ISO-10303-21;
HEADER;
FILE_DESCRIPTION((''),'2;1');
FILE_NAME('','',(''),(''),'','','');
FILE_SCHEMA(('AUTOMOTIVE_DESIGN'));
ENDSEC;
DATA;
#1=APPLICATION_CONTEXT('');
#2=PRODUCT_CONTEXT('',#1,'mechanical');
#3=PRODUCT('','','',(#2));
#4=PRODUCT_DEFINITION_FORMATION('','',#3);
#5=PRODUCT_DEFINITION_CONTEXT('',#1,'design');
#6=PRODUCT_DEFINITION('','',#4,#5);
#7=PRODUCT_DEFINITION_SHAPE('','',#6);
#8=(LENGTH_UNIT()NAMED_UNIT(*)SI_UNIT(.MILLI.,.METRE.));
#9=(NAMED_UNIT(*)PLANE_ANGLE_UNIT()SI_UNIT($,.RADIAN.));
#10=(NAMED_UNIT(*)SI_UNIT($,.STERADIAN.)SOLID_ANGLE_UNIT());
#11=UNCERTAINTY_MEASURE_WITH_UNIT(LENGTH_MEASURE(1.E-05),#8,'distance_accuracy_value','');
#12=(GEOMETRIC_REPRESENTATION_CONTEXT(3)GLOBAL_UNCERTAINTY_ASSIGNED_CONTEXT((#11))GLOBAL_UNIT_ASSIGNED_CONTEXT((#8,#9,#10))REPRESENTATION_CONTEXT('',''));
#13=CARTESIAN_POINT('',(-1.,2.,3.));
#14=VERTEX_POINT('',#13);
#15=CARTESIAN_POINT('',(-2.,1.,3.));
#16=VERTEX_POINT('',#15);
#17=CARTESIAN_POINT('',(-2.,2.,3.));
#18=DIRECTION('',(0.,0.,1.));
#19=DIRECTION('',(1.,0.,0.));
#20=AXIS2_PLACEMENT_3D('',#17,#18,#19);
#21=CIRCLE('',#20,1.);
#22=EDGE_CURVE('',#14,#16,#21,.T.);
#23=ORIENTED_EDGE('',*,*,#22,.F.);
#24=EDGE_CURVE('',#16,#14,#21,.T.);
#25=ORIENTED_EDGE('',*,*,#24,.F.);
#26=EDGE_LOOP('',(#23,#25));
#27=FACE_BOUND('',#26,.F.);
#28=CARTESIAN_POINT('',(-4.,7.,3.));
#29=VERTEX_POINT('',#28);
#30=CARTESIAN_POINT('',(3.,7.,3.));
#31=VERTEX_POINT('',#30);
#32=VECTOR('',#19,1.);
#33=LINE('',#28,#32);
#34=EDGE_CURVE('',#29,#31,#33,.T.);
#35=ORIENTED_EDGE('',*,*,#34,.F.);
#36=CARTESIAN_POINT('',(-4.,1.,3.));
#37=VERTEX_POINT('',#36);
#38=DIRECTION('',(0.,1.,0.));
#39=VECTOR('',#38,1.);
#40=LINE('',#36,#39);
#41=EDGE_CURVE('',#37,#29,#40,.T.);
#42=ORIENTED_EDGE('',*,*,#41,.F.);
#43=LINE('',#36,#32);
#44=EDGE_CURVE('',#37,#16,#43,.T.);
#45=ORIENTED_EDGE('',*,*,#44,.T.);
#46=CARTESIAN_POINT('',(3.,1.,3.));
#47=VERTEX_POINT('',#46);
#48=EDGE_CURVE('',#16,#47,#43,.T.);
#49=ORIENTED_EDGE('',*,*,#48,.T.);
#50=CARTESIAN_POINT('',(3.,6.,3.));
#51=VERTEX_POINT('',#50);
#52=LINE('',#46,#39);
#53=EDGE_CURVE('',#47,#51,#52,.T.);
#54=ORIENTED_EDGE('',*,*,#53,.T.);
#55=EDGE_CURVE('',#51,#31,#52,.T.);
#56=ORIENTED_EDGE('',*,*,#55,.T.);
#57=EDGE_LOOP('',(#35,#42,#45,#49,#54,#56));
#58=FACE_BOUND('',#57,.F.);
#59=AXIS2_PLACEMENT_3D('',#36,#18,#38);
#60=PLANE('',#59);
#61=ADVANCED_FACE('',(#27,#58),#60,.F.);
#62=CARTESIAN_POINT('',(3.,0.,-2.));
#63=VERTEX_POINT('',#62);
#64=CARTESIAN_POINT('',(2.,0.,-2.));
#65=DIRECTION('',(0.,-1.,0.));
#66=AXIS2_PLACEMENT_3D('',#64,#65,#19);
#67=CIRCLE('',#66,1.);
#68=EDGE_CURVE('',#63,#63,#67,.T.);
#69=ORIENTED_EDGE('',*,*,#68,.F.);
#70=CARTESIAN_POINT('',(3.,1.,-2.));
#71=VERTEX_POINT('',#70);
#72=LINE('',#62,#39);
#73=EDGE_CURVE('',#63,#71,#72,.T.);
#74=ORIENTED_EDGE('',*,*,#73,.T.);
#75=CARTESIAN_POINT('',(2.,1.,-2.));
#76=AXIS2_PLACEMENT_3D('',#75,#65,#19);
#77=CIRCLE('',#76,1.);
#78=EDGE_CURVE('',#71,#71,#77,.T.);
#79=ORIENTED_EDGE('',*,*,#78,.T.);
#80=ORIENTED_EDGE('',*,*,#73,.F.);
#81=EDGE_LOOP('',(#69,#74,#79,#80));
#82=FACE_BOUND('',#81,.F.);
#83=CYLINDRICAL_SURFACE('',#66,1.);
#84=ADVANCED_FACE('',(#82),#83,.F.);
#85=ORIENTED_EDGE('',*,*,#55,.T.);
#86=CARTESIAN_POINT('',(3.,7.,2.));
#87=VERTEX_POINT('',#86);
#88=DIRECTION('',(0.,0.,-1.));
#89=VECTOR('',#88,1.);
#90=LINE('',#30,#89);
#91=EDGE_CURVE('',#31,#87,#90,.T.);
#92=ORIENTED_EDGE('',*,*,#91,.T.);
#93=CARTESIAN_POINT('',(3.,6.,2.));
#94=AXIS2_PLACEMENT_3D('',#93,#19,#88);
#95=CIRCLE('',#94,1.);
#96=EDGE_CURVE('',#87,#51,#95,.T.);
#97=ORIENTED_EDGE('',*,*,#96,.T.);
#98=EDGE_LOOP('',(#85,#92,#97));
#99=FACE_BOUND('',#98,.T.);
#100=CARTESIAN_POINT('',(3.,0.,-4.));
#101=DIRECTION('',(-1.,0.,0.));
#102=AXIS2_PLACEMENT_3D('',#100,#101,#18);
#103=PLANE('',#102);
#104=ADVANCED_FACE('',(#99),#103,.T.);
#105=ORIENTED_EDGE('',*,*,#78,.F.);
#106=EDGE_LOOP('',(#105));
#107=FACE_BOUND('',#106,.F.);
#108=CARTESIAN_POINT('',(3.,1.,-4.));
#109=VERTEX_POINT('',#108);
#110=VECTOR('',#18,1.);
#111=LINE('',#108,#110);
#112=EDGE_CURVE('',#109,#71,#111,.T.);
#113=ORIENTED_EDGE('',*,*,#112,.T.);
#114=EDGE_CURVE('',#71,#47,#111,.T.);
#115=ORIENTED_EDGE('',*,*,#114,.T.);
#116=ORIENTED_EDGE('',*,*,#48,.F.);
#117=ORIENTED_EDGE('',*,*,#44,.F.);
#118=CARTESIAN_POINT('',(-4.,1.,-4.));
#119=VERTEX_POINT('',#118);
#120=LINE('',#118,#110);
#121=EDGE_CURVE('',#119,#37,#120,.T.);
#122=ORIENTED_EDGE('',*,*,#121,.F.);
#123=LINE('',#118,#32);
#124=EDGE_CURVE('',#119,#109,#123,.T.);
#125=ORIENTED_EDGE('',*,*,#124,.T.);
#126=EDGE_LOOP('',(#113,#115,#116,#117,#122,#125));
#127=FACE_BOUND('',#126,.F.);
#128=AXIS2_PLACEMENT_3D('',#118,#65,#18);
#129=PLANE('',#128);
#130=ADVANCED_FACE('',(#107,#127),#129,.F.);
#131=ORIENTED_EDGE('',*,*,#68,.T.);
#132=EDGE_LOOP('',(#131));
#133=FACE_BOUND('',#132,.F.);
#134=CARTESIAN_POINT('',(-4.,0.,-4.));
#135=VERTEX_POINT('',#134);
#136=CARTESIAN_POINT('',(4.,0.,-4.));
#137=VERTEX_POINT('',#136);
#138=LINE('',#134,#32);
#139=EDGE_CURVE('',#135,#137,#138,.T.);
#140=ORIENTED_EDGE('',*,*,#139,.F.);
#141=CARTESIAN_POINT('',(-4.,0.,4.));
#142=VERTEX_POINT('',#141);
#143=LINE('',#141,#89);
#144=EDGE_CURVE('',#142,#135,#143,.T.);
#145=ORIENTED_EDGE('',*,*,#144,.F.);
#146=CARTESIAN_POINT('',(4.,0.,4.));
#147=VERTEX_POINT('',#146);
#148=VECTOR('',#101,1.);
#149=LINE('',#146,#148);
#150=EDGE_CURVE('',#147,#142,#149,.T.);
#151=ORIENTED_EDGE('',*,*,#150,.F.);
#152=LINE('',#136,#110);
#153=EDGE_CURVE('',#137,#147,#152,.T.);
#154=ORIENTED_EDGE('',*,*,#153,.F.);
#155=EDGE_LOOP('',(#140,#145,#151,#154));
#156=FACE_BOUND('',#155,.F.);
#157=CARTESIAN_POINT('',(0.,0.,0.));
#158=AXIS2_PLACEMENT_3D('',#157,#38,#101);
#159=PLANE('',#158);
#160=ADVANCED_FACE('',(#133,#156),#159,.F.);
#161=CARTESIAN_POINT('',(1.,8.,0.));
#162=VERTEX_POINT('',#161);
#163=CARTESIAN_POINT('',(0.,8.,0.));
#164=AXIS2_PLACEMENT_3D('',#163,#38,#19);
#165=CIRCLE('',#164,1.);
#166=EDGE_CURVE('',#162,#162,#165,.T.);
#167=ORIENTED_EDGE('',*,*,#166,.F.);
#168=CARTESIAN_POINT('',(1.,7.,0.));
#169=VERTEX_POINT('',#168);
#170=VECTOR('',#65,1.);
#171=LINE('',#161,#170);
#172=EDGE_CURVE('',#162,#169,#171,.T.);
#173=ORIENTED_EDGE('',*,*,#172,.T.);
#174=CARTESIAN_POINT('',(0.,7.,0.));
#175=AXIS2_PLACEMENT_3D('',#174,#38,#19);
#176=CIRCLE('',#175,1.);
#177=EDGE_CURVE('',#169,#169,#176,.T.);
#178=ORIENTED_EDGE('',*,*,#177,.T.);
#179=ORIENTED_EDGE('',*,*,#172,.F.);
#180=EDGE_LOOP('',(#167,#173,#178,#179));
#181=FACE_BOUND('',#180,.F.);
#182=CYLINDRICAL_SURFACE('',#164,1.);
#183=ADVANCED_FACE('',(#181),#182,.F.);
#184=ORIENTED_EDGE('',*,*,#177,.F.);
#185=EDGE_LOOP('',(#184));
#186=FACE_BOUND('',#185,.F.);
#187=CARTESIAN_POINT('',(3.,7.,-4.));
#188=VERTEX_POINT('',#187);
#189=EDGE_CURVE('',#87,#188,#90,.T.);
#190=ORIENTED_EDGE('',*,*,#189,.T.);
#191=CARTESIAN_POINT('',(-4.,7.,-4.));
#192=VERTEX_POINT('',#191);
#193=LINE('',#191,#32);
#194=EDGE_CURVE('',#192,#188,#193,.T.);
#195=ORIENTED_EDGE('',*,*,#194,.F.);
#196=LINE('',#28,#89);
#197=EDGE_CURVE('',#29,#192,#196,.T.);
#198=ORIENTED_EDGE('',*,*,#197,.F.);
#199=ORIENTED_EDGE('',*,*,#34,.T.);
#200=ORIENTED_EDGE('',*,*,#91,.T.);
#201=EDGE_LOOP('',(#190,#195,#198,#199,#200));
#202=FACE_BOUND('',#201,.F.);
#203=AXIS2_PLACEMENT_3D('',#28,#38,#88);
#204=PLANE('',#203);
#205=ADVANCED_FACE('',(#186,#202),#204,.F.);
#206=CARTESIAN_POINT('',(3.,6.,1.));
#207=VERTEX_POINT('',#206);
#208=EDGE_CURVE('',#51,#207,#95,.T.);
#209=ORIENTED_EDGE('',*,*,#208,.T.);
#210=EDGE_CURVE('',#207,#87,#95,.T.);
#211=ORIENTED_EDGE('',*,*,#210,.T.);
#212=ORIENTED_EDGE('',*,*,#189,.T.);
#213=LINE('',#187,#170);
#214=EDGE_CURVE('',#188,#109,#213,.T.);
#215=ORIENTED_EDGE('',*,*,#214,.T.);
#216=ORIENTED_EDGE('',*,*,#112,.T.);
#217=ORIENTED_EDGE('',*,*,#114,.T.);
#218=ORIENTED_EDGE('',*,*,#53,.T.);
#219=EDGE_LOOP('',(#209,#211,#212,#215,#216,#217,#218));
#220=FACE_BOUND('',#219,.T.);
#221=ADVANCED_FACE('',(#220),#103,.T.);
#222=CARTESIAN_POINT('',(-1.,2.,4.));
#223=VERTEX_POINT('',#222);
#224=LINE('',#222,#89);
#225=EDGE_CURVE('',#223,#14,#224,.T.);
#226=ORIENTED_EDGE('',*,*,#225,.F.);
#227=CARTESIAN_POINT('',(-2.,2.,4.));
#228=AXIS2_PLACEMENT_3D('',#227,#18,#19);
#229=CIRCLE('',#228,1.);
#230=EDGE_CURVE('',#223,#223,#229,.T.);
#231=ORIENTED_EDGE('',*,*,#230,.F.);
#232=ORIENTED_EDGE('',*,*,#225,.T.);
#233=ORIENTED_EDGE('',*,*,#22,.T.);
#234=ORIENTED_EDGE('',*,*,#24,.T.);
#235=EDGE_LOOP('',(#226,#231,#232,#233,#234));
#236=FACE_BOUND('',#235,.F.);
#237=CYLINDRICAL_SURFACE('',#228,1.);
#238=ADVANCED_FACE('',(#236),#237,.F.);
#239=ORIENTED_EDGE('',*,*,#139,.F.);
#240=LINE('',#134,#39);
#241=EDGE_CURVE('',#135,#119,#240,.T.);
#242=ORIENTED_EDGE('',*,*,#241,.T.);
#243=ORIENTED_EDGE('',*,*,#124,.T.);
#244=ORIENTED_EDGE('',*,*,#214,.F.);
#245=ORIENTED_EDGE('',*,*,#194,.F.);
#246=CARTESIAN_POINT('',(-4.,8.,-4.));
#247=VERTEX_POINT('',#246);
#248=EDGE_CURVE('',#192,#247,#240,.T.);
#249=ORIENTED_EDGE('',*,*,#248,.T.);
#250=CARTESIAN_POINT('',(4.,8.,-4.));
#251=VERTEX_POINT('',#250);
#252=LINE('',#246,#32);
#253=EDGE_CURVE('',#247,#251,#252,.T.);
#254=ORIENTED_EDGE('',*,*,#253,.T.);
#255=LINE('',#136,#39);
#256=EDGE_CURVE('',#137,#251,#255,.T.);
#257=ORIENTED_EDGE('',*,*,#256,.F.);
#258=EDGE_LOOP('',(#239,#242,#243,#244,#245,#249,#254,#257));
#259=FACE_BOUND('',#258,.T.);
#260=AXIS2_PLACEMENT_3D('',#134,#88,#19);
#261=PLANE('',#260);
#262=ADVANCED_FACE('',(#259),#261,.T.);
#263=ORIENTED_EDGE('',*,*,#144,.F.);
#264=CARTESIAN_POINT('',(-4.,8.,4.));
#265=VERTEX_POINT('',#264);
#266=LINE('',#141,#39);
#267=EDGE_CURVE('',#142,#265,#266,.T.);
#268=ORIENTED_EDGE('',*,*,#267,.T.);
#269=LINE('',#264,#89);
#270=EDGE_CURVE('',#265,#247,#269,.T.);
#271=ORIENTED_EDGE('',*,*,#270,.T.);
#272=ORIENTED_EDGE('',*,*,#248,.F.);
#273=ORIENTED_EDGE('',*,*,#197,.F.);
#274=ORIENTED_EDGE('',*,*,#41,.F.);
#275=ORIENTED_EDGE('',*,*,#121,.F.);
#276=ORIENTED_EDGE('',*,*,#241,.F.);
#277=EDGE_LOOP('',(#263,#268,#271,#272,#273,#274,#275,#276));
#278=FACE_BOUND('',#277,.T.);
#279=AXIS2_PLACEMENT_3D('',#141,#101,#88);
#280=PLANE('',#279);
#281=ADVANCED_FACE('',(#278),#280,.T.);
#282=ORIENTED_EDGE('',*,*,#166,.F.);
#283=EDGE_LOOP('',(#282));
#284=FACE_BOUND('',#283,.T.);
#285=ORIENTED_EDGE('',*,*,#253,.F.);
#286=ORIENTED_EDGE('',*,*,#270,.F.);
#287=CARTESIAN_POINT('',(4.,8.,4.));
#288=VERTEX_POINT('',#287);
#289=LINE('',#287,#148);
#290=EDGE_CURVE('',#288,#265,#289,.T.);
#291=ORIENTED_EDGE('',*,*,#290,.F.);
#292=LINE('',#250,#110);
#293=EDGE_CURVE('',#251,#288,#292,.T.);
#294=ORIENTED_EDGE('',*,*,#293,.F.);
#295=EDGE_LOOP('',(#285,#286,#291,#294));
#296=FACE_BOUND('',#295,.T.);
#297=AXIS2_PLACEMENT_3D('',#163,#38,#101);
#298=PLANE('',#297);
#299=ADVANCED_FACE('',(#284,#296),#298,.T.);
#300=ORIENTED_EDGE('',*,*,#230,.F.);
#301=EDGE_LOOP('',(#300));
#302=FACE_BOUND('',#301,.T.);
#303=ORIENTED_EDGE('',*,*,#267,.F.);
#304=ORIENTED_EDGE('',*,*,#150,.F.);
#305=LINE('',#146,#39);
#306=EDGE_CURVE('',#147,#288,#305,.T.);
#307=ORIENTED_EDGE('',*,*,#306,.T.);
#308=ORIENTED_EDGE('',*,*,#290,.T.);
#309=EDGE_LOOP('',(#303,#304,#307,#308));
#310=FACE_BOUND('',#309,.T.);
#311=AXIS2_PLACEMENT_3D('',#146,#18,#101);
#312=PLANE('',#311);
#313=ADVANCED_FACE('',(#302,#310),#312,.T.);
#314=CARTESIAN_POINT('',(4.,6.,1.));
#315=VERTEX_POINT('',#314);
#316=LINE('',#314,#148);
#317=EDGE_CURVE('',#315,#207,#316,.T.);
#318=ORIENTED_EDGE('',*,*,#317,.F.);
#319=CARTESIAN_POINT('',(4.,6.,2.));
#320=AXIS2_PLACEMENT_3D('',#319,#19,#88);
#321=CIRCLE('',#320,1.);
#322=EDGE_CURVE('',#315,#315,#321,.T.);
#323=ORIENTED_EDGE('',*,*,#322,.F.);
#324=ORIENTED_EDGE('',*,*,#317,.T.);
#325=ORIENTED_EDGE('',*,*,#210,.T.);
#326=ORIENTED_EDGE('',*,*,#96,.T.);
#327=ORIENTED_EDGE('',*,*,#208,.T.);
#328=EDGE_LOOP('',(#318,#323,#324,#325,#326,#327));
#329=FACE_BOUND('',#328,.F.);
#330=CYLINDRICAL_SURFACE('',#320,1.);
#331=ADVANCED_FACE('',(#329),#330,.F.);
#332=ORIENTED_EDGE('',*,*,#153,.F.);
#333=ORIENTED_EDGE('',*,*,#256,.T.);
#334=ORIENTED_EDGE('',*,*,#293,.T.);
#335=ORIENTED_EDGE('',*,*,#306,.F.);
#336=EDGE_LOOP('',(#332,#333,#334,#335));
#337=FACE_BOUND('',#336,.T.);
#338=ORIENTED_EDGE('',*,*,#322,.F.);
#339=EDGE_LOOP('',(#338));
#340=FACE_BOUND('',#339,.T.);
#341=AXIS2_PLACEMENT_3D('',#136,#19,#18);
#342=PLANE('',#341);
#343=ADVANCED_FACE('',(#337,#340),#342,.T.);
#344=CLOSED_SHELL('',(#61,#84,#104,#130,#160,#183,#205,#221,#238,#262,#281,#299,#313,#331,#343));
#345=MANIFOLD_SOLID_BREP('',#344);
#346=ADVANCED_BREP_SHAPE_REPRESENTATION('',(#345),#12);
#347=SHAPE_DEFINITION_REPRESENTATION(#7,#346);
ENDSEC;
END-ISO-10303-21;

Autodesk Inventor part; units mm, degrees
ref_plane "YZ Plane" through (0, 0, 0) normal (1, 0, 0) x (0, 1, 0)
ref_plane "XZ Plane" through (0, 0, 0) normal (0, 1, 0) x (-1, 0, 0)
ref_plane "XY Plane" through (0, 0, 0) normal (0, 0, 1) x (1, 0, 0)
sketch "Sketch1" plane through (0, 0, 0) normal (0, 1, 0) x (-1, 0, 0)
  point P0 (0, 0)
sketch "Sketch2" plane through (0, 0, 0) normal (0, 1, 0) x (-1, 0, 0)
  line L0 (-4, 4) -> (4, 4)
  line L1 (4, 4) -> (4, -4)
  line L2 (4, -4) -> (-4, -4)
  line L3 (-4, -4) -> (-4, 4)
  line L4 (-4, 4) -> (4, -4) construction
  line L5 (4, 4) -> (-4, -4) construction
  point P0 (0, 0)
  dimension "d0" = 8
  dimension "d1" = 8
extrude "Extrusion1" add sketch "Sketch2" along normal blind 8
sketch "Sketch3" plane through (-4, 0, -4) normal (-1, 0, 0) x (0, 0, 1)
  line L0 (0, 1) -> (7, 1)
  line L1 (7, 1) -> (7, 7)
  line L2 (7, 7) -> (0, 7)
  line L3 (0, 7) -> (0, 1)
  line L4 (8, 0) -> (0, 0) projected
  line L5 (0, 0) -> (0, 8) projected
  point P0 (4, 0)
  dimension "d4" = 7
  dimension "d5" = 6
  dimension "d6" = 1
  dimension "d7" = 0
extrude "Extrusion2" cut sketch "Sketch3" against normal blind 7
sketch "Sketch4" plane through (-4, 0, 4) normal (0, 0, 1) x (1, 0, 0)
  circle A0 centre (2, 2) radius 1
  line L0 (8, 0) -> (0, 0) projected
  line L1 (8, 0) -> (8, 8) projected
  point P0 (4, 0)
  dimension "d10" = 2
  dimension "d11" = 2
  dimension "d12" = 6
sketch "Sketch5" plane through (4, 0, 4) normal (1, 0, 0) x (0, 0, -1)
  circle A0 centre (2, 6) radius 1
  line L0 (0, 0) -> (0, 8) projected
  line L1 (8, 0) -> (0, 0) projected
  point P0 (4, 0)
  dimension "d13" = 2
  dimension "d14" = 2
  dimension "d15" = 6
sketch "Sketch6" plane through (0, 0, 0) normal (0, -1, 0) x (1, 0, 0)
  circle A0 centre (2, -2) radius 1
  line L0 (4, 4) -> (-4, 4) projected
  line L1 (4, -4) -> (4, 4) projected
  point P0 (0, 0)
  dimension "d16" = 2
  dimension "d17" = 6
  dimension "d18" = 2
extrude "Extrusion3" cut sketch "Sketch6" against normal blind 1
extrude "Extrusion4" cut sketch "Sketch5" against normal blind 1
extrude "Extrusion5" cut sketch "Sketch4" against normal blind 1
sketch "Sketch7" plane through (0, 8, 0) normal (0, 1, 0) x (1, 0, 0)
  circle A0 centre (0, 0) radius 1
  line L0 (4, 4) -> (-4, 4) projected
  line L1 (-4, 4) -> (-4, -4) projected
  dimension "d25" = 2
  dimension "d26" = 4
  dimension "d27" = 4
extrude "Extrusion6" cut sketch "Sketch7" against normal blind 1
properties part number "Corner" material "Aluminum 6061"
